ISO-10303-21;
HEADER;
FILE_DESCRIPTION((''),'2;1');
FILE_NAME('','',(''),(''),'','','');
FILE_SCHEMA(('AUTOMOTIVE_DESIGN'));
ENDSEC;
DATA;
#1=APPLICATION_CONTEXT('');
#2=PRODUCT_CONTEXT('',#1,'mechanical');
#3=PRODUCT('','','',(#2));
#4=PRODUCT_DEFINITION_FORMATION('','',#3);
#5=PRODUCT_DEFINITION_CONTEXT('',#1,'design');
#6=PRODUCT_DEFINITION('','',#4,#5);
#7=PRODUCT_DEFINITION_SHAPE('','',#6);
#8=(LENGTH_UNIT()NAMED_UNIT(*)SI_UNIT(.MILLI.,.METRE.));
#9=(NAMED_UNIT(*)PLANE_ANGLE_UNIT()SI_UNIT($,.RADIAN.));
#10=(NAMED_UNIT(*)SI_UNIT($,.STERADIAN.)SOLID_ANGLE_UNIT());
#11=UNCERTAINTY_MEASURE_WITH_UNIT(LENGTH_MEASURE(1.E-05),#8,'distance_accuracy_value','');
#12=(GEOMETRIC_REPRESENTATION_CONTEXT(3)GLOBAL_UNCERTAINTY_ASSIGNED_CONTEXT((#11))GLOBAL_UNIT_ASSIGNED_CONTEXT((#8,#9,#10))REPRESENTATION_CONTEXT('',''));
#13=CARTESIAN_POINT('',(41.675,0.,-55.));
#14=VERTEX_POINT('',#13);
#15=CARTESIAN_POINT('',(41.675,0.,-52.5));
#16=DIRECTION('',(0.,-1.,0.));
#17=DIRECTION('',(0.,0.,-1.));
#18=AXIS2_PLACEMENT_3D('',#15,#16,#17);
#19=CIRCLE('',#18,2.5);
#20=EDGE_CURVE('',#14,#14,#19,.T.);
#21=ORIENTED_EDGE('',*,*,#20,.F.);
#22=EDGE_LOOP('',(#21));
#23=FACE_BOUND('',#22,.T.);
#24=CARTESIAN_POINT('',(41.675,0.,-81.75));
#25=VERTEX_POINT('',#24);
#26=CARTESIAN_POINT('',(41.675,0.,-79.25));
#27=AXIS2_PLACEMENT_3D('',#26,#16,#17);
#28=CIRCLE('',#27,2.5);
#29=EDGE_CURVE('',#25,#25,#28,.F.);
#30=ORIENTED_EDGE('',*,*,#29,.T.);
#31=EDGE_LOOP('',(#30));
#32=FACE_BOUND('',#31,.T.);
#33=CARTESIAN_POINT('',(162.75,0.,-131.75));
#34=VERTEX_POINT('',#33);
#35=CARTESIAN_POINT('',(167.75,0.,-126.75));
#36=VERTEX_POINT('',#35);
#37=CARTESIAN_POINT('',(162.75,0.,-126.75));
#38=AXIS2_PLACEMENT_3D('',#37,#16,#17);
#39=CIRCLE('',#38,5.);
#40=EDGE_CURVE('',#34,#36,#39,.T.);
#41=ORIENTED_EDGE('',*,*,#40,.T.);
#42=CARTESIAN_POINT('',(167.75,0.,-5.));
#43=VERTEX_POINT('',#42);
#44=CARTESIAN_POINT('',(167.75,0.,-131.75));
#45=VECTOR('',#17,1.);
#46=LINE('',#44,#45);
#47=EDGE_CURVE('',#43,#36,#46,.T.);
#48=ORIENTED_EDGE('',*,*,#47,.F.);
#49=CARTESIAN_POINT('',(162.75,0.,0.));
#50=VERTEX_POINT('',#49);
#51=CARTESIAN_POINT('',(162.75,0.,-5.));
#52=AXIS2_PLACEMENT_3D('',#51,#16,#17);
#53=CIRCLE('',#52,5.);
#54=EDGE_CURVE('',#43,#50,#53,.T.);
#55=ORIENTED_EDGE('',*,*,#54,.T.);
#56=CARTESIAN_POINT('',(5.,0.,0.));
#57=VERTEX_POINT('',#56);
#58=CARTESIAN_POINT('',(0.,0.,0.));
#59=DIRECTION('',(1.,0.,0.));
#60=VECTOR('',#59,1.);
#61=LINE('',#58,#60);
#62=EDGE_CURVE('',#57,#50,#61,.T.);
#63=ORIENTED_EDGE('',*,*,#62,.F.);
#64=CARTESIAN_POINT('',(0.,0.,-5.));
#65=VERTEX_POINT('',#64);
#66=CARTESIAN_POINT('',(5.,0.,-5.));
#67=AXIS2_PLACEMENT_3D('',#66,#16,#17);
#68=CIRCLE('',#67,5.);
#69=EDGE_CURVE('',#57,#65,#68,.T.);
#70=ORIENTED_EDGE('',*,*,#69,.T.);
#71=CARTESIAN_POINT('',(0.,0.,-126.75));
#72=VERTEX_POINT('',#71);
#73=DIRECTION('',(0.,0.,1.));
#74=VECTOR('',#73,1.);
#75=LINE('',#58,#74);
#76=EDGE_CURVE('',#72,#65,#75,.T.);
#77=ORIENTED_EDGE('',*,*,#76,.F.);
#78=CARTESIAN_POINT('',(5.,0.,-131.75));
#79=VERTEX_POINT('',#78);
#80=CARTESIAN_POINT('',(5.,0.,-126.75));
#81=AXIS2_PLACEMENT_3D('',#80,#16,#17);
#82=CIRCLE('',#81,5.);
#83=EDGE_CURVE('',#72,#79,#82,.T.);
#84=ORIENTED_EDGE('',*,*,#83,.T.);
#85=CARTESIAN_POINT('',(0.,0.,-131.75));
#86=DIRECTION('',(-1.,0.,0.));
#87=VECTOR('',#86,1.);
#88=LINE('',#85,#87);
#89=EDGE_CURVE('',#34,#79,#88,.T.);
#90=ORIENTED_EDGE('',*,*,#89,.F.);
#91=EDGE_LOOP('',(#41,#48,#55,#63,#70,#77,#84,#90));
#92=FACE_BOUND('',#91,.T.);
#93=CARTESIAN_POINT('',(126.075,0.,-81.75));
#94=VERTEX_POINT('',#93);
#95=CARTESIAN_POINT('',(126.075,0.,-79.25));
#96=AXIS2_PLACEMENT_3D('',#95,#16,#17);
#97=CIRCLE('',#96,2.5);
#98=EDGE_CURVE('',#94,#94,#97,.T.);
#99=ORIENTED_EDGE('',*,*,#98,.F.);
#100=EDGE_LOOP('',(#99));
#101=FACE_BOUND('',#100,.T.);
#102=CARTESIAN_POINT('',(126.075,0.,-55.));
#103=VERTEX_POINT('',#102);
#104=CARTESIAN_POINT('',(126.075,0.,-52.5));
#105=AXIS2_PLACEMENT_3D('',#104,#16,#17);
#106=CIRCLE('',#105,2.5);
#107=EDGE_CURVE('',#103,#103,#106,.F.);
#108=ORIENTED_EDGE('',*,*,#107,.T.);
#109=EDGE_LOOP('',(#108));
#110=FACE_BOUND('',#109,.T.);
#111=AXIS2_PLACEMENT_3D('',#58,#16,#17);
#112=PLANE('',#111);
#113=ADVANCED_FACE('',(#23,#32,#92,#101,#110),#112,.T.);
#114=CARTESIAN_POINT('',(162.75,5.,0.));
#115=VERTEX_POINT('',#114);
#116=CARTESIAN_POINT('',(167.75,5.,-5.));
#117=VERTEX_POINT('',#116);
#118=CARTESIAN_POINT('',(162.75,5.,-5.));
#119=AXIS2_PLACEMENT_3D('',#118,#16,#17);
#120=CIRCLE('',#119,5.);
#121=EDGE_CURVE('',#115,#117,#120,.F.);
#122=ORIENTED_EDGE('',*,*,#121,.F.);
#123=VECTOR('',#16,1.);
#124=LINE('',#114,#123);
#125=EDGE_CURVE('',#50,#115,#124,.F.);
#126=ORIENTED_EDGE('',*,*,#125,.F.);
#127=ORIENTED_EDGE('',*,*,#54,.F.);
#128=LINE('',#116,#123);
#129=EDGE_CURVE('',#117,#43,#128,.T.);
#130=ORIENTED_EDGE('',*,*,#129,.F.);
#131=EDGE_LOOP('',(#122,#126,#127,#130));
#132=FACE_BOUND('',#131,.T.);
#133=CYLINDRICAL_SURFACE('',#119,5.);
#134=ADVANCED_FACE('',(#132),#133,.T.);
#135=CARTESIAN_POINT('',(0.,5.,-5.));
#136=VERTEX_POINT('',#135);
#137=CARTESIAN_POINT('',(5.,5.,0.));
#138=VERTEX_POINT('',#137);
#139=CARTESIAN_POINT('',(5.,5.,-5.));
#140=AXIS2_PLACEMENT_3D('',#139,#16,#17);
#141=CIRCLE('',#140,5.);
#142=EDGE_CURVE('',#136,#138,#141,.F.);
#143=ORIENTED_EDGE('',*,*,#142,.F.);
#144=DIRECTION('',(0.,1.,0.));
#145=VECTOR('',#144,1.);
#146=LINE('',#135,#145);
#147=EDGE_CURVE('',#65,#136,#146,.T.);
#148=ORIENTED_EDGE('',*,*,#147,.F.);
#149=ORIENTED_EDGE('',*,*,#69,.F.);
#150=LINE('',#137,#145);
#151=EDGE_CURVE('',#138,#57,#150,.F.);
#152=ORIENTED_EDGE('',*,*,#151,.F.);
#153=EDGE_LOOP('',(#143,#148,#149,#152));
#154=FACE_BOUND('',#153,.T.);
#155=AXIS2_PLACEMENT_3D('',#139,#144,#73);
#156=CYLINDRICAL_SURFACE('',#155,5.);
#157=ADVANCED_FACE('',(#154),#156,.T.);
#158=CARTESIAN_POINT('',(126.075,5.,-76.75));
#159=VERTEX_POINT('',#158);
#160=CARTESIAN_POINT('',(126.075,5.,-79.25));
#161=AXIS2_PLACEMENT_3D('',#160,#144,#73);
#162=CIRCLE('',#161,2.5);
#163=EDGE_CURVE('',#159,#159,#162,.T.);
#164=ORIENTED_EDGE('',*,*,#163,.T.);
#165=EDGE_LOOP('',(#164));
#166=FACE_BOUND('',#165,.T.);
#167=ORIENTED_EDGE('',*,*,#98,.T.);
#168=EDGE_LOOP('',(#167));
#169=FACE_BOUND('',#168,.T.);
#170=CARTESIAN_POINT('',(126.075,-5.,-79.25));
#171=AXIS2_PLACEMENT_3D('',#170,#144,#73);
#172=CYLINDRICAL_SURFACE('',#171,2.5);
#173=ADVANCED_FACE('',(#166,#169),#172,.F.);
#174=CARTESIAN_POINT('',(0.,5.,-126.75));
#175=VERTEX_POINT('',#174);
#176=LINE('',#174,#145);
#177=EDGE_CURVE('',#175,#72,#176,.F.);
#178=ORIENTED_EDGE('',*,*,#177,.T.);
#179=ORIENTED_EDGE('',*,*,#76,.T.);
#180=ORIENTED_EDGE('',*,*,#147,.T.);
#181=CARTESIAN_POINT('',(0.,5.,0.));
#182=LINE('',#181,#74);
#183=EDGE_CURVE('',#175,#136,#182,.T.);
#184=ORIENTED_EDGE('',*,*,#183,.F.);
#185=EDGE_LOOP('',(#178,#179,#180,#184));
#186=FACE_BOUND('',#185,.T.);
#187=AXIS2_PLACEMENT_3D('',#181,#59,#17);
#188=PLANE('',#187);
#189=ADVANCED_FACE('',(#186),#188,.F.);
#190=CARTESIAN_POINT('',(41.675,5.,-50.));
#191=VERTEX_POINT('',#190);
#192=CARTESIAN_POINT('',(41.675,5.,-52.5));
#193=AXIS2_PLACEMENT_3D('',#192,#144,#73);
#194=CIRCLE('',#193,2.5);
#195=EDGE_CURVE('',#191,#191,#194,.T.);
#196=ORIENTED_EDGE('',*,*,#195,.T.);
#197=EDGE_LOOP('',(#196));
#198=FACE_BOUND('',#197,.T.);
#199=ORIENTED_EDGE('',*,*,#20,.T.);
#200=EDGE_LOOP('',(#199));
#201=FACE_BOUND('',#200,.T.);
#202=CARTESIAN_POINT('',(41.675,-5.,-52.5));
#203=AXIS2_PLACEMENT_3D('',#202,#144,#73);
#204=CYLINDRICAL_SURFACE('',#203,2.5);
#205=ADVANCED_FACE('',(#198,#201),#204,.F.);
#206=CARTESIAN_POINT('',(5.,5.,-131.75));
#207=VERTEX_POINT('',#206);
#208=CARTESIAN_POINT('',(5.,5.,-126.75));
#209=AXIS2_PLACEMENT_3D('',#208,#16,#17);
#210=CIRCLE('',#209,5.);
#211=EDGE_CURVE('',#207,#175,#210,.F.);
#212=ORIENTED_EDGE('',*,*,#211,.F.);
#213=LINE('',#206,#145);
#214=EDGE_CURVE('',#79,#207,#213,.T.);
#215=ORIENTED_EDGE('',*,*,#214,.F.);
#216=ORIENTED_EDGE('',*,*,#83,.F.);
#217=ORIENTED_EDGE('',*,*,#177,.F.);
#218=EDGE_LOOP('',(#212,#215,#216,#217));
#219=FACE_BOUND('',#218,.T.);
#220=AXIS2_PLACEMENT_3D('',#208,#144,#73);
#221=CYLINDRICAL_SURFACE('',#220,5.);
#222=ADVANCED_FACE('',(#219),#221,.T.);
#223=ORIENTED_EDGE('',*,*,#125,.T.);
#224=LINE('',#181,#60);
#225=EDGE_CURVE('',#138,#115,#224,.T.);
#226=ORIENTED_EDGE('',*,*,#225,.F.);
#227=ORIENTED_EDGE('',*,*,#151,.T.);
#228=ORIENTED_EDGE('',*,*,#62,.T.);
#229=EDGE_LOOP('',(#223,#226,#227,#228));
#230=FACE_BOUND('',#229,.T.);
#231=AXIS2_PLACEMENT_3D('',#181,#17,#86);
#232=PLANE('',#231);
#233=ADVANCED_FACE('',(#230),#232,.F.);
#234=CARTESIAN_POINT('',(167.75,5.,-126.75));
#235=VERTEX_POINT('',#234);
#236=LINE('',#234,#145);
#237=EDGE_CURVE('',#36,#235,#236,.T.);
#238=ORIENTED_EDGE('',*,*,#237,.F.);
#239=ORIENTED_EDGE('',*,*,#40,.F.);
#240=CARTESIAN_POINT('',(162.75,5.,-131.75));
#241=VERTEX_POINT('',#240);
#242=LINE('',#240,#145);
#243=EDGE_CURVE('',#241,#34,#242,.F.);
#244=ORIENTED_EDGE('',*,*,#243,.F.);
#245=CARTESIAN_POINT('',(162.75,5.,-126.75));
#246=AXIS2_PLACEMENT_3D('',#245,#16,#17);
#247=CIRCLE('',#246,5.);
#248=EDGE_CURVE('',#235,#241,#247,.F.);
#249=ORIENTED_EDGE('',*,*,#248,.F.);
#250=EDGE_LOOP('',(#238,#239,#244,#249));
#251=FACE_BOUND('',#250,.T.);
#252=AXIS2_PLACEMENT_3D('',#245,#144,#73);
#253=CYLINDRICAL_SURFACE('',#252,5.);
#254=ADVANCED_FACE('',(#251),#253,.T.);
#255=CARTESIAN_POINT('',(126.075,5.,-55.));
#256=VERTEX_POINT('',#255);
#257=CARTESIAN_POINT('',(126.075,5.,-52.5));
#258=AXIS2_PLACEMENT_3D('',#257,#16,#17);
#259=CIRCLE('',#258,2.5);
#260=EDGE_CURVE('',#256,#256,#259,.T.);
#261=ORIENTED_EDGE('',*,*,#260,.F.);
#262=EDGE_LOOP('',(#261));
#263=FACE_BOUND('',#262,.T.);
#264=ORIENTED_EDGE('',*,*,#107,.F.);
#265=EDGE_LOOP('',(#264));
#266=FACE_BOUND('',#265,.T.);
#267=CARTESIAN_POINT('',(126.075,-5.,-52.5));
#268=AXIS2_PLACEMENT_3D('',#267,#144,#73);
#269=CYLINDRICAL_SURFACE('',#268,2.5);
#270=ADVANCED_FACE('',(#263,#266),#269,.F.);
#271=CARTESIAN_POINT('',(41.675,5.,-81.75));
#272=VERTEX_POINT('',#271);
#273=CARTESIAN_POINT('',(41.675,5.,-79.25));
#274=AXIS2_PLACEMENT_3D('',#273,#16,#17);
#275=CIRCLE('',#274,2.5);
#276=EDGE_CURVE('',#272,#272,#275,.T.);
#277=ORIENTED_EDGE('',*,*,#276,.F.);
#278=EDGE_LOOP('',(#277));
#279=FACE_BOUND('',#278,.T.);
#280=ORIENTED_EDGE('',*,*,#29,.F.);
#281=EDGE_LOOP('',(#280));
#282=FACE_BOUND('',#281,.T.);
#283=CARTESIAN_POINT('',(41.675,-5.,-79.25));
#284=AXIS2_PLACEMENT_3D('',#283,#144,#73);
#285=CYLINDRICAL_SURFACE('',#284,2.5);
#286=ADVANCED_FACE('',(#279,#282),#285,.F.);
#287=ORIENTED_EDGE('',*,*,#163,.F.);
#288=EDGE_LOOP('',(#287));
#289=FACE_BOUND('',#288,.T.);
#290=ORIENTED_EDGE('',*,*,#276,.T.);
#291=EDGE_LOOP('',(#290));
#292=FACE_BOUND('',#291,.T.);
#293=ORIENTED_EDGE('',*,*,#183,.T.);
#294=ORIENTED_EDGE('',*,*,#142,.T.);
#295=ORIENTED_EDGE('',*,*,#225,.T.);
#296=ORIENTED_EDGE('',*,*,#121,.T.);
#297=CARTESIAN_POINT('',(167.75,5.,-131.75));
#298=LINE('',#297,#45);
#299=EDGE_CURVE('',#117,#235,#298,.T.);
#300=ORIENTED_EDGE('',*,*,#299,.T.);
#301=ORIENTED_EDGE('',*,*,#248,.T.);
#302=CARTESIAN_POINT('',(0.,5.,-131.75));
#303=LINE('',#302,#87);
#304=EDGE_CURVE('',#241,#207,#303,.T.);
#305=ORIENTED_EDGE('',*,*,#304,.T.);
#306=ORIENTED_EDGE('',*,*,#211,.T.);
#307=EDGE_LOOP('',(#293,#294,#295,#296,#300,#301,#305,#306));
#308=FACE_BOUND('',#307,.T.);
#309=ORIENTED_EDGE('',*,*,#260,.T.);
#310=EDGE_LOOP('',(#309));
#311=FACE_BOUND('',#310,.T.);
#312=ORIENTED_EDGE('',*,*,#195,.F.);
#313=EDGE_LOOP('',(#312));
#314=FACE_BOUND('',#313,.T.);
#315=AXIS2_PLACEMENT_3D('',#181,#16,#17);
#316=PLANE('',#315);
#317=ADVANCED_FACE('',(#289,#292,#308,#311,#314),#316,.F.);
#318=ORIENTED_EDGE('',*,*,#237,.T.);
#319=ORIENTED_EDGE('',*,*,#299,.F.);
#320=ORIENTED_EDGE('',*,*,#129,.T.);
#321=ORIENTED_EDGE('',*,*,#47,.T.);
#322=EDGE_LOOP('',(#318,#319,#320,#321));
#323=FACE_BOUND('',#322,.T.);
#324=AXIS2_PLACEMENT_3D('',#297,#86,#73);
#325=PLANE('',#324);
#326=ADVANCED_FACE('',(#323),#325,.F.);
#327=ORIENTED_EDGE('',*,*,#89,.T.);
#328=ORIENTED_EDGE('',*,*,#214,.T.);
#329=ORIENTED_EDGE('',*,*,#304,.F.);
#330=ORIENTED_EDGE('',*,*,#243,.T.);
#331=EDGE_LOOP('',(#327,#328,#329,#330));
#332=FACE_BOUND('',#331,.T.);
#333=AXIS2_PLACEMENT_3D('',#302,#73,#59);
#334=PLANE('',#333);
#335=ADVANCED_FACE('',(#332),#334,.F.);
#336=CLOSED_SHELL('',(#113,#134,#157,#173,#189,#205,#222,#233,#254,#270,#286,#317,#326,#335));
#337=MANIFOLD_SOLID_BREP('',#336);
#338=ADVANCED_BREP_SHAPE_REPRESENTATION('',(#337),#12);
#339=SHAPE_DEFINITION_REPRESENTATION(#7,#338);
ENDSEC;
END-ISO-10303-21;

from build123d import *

# Parameters (mm, degrees)
SKETCH_1_W          = 167.75
SKETCH_1_H          = 131.75
EXTRUDE_1_DEPTH     = 5
FILLET_1_R          = 5
FILLET_2_R          = 5
FILLET_3_R          = 5
FILLET_4_R          = 5
SKETCH_2_R          = 2.5
CUT_EXTRUDE_1_DEPTH = 10


with BuildPart() as part:
    # Эскиз1 → Бобышка-Вытянуть1 (new body)
    with BuildSketch(Plane(origin=(0, 0, 0), x_dir=(1, 0, 0), z_dir=(0, 1, 0))):
        with Locations((83.875, 65.875)):
            Rectangle(SKETCH_1_W, SKETCH_1_H)
    extrude(amount=EXTRUDE_1_DEPTH)

    # Скругление1
    fillet_1_edges = [part.edges().sort_by_distance(p)[0] for p in [
        (0, 2.5, 0),
    ]]
    fillet(fillet_1_edges, radius=FILLET_1_R)

    # Скругление2
    fillet_2_edges = [part.edges().sort_by_distance(p)[0] for p in [
        (0, 2.5, -131.75),
    ]]
    fillet(fillet_2_edges, radius=FILLET_2_R)

    # Скругление3
    fillet_3_edges = [part.edges().sort_by_distance(p)[0] for p in [
        (167.75, 2.5, -131.75),
    ]]
    fillet(fillet_3_edges, radius=FILLET_3_R)

    # Скругление4
    fillet_4_edges = [part.edges().sort_by_distance(p)[0] for p in [
        (167.75, 2.5, 0),
    ]]
    fillet(fillet_4_edges, radius=FILLET_4_R)

    # Эскиз2 → Вырез-Вытянуть1 (cut)
    with BuildSketch(Plane(origin=(0, 5, 0), x_dir=(1, 0, 0), z_dir=(0, 1, 0))):
        with Locations((126.075, 79.25)):
            Circle(SKETCH_2_R)
        with Locations((126.075, 52.5)):
            Circle(SKETCH_2_R)
        with Locations((41.675, 79.25)):
            Circle(SKETCH_2_R)
        with Locations((41.675, 52.5)):
            Circle(SKETCH_2_R)
    extrude(amount=-CUT_EXTRUDE_1_DEPTH, mode=Mode.SUBTRACT)


solid = part.part
